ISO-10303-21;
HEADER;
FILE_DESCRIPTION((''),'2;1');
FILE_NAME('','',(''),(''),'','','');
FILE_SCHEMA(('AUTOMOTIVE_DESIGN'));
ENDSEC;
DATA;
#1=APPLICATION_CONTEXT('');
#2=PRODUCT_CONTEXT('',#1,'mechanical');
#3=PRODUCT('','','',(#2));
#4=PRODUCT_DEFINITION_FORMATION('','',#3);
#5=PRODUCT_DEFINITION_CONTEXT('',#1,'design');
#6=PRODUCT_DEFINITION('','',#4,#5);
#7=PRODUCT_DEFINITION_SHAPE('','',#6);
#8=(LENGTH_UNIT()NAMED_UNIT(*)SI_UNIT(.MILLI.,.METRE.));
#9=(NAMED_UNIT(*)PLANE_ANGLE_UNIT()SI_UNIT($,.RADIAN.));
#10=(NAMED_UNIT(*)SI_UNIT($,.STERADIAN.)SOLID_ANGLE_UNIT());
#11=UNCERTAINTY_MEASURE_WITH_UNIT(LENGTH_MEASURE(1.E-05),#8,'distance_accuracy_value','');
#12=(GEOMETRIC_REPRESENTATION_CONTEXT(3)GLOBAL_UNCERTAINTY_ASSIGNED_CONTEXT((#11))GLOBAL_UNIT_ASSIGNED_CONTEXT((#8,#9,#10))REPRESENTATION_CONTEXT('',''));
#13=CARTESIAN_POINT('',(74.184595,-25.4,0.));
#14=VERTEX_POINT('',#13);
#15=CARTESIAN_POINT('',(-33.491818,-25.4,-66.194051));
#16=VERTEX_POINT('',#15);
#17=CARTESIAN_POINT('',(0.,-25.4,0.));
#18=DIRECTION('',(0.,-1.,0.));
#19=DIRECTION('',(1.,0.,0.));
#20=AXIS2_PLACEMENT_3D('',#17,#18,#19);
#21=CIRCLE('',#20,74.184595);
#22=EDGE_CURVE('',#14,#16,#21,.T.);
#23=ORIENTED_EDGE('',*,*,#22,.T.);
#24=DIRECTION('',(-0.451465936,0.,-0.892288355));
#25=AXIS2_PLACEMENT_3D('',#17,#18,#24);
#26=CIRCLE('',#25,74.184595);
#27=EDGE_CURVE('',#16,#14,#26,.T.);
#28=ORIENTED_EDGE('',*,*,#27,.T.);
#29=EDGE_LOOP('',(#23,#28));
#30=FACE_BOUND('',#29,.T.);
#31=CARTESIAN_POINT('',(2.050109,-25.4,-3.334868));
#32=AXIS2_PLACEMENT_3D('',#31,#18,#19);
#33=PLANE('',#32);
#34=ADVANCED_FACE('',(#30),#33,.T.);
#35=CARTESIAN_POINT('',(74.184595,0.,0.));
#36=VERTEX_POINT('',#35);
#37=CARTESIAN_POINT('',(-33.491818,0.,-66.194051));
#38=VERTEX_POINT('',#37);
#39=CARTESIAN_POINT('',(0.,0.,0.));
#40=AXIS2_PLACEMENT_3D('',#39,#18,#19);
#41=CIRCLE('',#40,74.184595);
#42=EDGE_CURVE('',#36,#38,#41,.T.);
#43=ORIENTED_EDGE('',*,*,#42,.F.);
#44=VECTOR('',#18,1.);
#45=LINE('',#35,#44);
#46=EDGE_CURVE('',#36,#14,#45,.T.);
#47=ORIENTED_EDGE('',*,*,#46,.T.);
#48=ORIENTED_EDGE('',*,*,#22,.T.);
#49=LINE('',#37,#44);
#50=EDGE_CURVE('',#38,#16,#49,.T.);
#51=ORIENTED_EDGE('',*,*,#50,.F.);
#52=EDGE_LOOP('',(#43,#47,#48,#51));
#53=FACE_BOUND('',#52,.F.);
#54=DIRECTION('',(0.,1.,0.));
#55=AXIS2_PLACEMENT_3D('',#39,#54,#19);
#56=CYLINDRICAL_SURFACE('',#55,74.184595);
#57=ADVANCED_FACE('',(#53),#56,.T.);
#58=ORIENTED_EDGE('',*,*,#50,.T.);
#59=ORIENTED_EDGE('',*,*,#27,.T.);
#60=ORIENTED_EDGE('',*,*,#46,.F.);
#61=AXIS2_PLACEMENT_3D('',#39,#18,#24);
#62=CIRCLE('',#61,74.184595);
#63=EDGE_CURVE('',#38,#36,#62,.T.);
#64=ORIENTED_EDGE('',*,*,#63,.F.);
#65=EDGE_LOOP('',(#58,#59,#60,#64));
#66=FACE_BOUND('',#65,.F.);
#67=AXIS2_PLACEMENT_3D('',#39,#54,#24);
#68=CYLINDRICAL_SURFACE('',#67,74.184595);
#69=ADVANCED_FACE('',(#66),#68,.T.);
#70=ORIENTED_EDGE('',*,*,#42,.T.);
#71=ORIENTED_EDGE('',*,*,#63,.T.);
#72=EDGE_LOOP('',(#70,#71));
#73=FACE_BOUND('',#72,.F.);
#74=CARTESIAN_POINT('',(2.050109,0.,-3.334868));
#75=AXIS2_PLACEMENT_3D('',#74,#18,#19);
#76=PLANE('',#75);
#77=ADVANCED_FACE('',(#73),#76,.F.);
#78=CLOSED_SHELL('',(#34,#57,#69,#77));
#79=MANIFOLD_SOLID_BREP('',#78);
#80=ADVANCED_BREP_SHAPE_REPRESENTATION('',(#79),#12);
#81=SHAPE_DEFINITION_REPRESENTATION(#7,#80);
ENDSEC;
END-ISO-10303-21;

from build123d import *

# Parameters (mm, degrees)
F1_DEPTH = 25.4
F0_W     = 2.0122602582
F0_H     = 9.6141556278
F0_W_2   = 9.3905702233
F0_H_2   = 4.6952851117
F0_H_3   = 17.2160472721
F0_W_3   = 2.6830211282
F0_H_4   = 3.1301882118
F0_W_4   = 1.7886832356
F0_H_5   = 10.0613348186


with BuildPart() as f1:
    # F0 (on Front) → F1 (new body)
    with BuildSketch(Plane.XZ):
        with BuildLine():
            ThreePointArc((74.1845954161, 0), (-38.8508509686, 63.1978288873), (-33.4918178247, -66.1940506076))
            ThreePointArc((-33.4918178247, -66.1940506076), (38.8508509686, -63.1978288873), (74.1845954161, 0))
        make_face()
        with BuildLine():
            ThreePointArc((53.2162221936, 0), (27.8696069711, -45.3348796385), (-24.0253115762, -47.4842153586))
            ThreePointArc((-24.0253115762, -47.4842153586), (-27.8696069711, 45.3348796385), (53.2162221936, 0))
        make_face(mode=Mode.SUBTRACT)
        with BuildLine():
            ThreePointArc((53.2162221936, 0), (-27.8696069711, 45.3348796385), (-24.0253115762, -47.4842153586))
            ThreePointArc((-24.0253115762, -47.4842153586), (27.8696069711, -45.3348796385), (53.2162221936, 0))
        make_face()
        with BuildLine():
            ThreePointArc((40.3185295406, 0), (21.1150195491, -34.3473401263), (-18.2024426872, -35.9757543984))
            ThreePointArc((-18.2024426872, -35.9757543984), (-21.1150195491, 34.3473401263), (40.3185295406, 0))
        make_face(mode=Mode.SUBTRACT)
        with BuildLine():
            ThreePointArc((40.3185295406, 0), (-21.1150195491, 34.3473401263), (-18.2024426872, -35.9757543984))
            ThreePointArc((-18.2024426872, -35.9757543984), (21.1150195491, -34.3473401263), (40.3185295406, 0))
        make_face()
        with BuildLine():
            ThreePointArc((30.8835030596, 0), (16.1738480614, -26.3096446216), (-13.9428496234, -27.5569901406))
            ThreePointArc((-13.9428496234, -27.5569901406), (-16.1738480614, 26.3096446216), (30.8835030596, 0))
        make_face(mode=Mode.SUBTRACT)
        with BuildLine():
            ThreePointArc((30.8835030596, 0), (-16.1738480614, 26.3096446216), (-13.9428496234, -27.5569901406))
            ThreePointArc((-13.9428496234, -27.5569901406), (16.1738480614, -26.3096446216), (30.8835030596, 0))
        make_face()
        with BuildLine():
            ThreePointArc((23.2248742524, 0), (12.1629850953, -19.7852616261), (-10.4852395986, -20.723284841))
            ThreePointArc((-10.4852395986, -20.723284841), (-12.1629850953, 19.7852616261), (23.2248742524, 0))
        make_face(mode=Mode.SUBTRACT)
        with BuildLine():
            ThreePointArc((23.2248742524, 0), (-12.1629850953, 19.7852616261), (-10.4852395986, -20.723284841))
            ThreePointArc((-10.4852395986, -20.723284841), (12.1629850953, -19.7852616261), (23.2248742524, 0))
        make_face()
        with BuildLine():
            ThreePointArc((17.4618084215, 0), (9.1448381274, -14.8757080158), (-7.8834116876, -15.5809683111))
            ThreePointArc((-7.8834116876, -15.5809683111), (-9.1448381274, 14.8757080158), (17.4618084215, 0))
        make_face(mode=Mode.SUBTRACT)
        with BuildLine():
            ThreePointArc((17.4618084215, 0), (-9.1448381274, 14.8757080158), (-7.8834116876, -15.5809683111))
            ThreePointArc((-7.8834116876, -15.5809683111), (9.1448381274, -14.8757080158), (17.4618084215, 0))
        make_face()
        with BuildLine():
            ThreePointArc((13.1806981516, 0), (6.902798845, -11.2286317898), (-5.9506362314, -11.760983471))
            ThreePointArc((-5.9506362314, -11.760983471), (-6.902798845, 11.2286317898), (13.1806981516, 0))
        make_face(mode=Mode.SUBTRACT)
        with BuildLine():
            ThreePointArc((13.1806981516, 0), (-6.902798845, 11.2286317898), (-5.9506362314, -11.760983471))
            ThreePointArc((-5.9506362314, -11.760983471), (6.902798845, -11.2286317898), (13.1806981516, 0))
        make_face()
        with BuildLine():
            ThreePointArc((-4.1793532864, -8.2601763927), (-4.8480925259, 7.8862859948), (9.2572948495, 0))
            ThreePointArc((9.2572948495, 0), (4.8480925259, -7.8862859948), (-4.1793532864, -8.2601763927))
        make_face(mode=Mode.SUBTRACT)
        with BuildLine():
            ThreePointArc((-4.1793532864, -8.2601763927), (4.8480925259, -7.8862859948), (9.2572948495, 0))
            ThreePointArc((9.2572948495, 0), (-4.8480925259, 7.8862859948), (-4.1793532864, -8.2601763927))
        make_face()
        with BuildLine():
            ThreePointArc((6.7578094068, 0), (3.5390992519, -5.7569752877), (-3.0509207508, -6.0299146387))
            ThreePointArc((-3.0509207508, -6.0299146387), (-3.5390992519, 5.7569752877), (6.7578094068, 0))
        make_face(mode=Mode.SUBTRACT)
        with BuildLine():
            ThreePointArc((6.7578094068, 0), (-3.5390992519, 5.7569752877), (-3.0509207508, -6.0299146387))
            ThreePointArc((-3.0509207508, -6.0299146387), (3.5390992519, -5.7569752877), (6.7578094068, 0))
        make_face()
        with BuildLine():
            ThreePointArc((5.0579216156, 0), (2.648859346, -4.3088415188), (-2.2834793176, -4.5131245579))
            ThreePointArc((-2.2834793176, -4.5131245579), (-2.648859346, 4.3088415188), (5.0579216156, 0))
        make_face(mode=Mode.SUBTRACT)
        with BuildLine():
            ThreePointArc((5.0579216156, 0), (-2.648859346, 4.3088415188), (-2.2834793176, -4.5131245579))
            ThreePointArc((-2.2834793176, -4.5131245579), (2.648859346, -4.3088415188), (5.0579216156, 0))
        make_face()
        with BuildLine():
            ThreePointArc((2.9671045807, 0), (1.5538878015, -2.5276752745), (-1.3395466475, -2.6475128653))
            ThreePointArc((-1.3395466475, -2.6475128653), (-1.5538878015, 2.5276752745), (2.9671045807, 0))
        make_face(mode=Mode.SUBTRACT)
        with BuildLine():
            ThreePointArc((2.9671045807, 0), (-1.5538878015, 2.5276752745), (-1.3395466475, -2.6475128653))
            ThreePointArc((-1.3395466475, -2.6475128653), (1.5538878015, -2.5276752745), (2.9671045807, 0))
        make_face()
    extrude(amount=F1_DEPTH)


with BuildPart() as f1b:
    # F0 (on Front) → F1, piece 2 (new body)
    with BuildSketch(Plane.XZ):
        Polygon((81.161364913, -32.4920788407), (81.161364913, -71.3958665729), (103.0726954341, -71.3958665729), (103.0726954341, -32.4920788407), (100.3896817565, -32.4920788407), (95.9179773927, -32.4920788407), align=None)
        Polygon((81.161364913, -1.860929653), (81.161364913, -32.4920788407), (95.9179773927, -32.4920788407), (95.9179773927, -11.4750852808), (95.9179773927, -1.860929653), (84.5151394606, -1.860929653), align=None)
        Polygon((84.5151394606, 21.3919151574), (84.5151394606, -1.860929653), (95.9179773927, -1.860929653), (97.9302376509, -1.860929653), (97.9302376509, 16.2494592369), (97.9302376509, 21.3919151574), (87.8689140081, 21.3919151574), align=None)
        Polygon((87.8689140081, 39.5023003221), (87.8689140081, 21.3919151574), (97.9302376509, 21.3919151574), (97.9302376509, 39.5023003221), (95.9179773927, 39.5023003221), (92.8995758295, 39.5023003221), (90.1047661901, 39.5023003221), align=None)
        Polygon((97.9302376509, -11.4750852808), (100.3896817565, -11.4750852808), (100.3896817565, 16.2494592369), (97.9302376509, 16.2494592369), (97.9302376509, -1.860929653), align=None)
        with Locations((96.9241075218, -6.6680074669)):
            Rectangle(F0_W, F0_H)
        Polygon((95.9179773927, -11.4750852808), (95.9179773927, -32.4920788407), (100.3896817565, -32.4920788407), (100.3896817565, -11.4750852808), (97.9302376509, -11.4750852808), align=None)
    extrude(amount=F1_DEPTH)


with BuildPart() as f1c:
    # F0 (on Front) → F1, piece 3 (new body)
    with BuildSketch(Plane.XZ):
        Polygon((-104.4142097235, 19.3796493113), (-104.4142097235, 22.5098375231), (-109.5566675067, 22.5098375231), (-109.5566675067, -30.7033965364), (-87.1981605887, -30.7033965364), (-87.1981605887, 5.7409610599), (-95.0236395001, 5.7409610599), (-95.0236395001, 19.3796493113), align=None)
        with Locations((-99.7189246118, 42.073527351)):
            Rectangle(F0_W_2, F0_H_2)
        Polygon((-87.1981605887, 22.5098375231), (-92.340618372, 22.5098375231), (-92.340618372, 19.3796493113), (-95.0236395001, 19.3796493113), (-95.0236395001, 5.7409610599), (-87.1981605887, 5.7409610599), align=None)
        Polygon((-108.8859140873, 39.7258847952), (-104.4142097235, 39.7258847952), (-104.4142097235, 44.4211699069), (-95.0236395001, 44.4211699069), (-95.0236395001, 54.4825047255), (-108.8859140873, 54.4825047255), align=None)
        Polygon((-93.2349562645, 54.4825047255), (-93.2349562645, 44.4211699069), (-92.340618372, 44.4211699069), (-92.340618372, 22.5098375231), (-87.1981605887, 22.5098375231), (-87.1981605887, 5.7409610599), (-86.5273997188, 5.7409610599), (-86.5273997188, 59.4013724476), (-95.0236395001, 59.4013724476), (-95.0236395001, 54.4825047255), align=None)
        with Locations((-99.7189246118, 31.1178611591)):
            Rectangle(F0_W_2, F0_H_3)
        with Locations((-93.6821289361, 20.9447434172)):
            Rectangle(F0_W_3, F0_H_4)
        with Locations((-99.7189246118, 20.9447434172)):
            Rectangle(F0_W_2, F0_H_4)
        with Locations((-94.1292978823, 42.073527351)):
            Rectangle(F0_W_4, F0_H_2)
        with Locations((-94.1292978823, 49.4518373162)):
            Rectangle(F0_W_4, F0_H_5)
        Polygon((-93.2349562645, 44.4211699069), (-93.2349562645, 39.7258847952), (-95.0236395001, 39.7258847952), (-95.0236395001, 22.5098375231), (-92.340618372, 22.5098375231), (-92.340618372, 44.4211699069), align=None)
    extrude(amount=F1_DEPTH)


solid = f1.part
